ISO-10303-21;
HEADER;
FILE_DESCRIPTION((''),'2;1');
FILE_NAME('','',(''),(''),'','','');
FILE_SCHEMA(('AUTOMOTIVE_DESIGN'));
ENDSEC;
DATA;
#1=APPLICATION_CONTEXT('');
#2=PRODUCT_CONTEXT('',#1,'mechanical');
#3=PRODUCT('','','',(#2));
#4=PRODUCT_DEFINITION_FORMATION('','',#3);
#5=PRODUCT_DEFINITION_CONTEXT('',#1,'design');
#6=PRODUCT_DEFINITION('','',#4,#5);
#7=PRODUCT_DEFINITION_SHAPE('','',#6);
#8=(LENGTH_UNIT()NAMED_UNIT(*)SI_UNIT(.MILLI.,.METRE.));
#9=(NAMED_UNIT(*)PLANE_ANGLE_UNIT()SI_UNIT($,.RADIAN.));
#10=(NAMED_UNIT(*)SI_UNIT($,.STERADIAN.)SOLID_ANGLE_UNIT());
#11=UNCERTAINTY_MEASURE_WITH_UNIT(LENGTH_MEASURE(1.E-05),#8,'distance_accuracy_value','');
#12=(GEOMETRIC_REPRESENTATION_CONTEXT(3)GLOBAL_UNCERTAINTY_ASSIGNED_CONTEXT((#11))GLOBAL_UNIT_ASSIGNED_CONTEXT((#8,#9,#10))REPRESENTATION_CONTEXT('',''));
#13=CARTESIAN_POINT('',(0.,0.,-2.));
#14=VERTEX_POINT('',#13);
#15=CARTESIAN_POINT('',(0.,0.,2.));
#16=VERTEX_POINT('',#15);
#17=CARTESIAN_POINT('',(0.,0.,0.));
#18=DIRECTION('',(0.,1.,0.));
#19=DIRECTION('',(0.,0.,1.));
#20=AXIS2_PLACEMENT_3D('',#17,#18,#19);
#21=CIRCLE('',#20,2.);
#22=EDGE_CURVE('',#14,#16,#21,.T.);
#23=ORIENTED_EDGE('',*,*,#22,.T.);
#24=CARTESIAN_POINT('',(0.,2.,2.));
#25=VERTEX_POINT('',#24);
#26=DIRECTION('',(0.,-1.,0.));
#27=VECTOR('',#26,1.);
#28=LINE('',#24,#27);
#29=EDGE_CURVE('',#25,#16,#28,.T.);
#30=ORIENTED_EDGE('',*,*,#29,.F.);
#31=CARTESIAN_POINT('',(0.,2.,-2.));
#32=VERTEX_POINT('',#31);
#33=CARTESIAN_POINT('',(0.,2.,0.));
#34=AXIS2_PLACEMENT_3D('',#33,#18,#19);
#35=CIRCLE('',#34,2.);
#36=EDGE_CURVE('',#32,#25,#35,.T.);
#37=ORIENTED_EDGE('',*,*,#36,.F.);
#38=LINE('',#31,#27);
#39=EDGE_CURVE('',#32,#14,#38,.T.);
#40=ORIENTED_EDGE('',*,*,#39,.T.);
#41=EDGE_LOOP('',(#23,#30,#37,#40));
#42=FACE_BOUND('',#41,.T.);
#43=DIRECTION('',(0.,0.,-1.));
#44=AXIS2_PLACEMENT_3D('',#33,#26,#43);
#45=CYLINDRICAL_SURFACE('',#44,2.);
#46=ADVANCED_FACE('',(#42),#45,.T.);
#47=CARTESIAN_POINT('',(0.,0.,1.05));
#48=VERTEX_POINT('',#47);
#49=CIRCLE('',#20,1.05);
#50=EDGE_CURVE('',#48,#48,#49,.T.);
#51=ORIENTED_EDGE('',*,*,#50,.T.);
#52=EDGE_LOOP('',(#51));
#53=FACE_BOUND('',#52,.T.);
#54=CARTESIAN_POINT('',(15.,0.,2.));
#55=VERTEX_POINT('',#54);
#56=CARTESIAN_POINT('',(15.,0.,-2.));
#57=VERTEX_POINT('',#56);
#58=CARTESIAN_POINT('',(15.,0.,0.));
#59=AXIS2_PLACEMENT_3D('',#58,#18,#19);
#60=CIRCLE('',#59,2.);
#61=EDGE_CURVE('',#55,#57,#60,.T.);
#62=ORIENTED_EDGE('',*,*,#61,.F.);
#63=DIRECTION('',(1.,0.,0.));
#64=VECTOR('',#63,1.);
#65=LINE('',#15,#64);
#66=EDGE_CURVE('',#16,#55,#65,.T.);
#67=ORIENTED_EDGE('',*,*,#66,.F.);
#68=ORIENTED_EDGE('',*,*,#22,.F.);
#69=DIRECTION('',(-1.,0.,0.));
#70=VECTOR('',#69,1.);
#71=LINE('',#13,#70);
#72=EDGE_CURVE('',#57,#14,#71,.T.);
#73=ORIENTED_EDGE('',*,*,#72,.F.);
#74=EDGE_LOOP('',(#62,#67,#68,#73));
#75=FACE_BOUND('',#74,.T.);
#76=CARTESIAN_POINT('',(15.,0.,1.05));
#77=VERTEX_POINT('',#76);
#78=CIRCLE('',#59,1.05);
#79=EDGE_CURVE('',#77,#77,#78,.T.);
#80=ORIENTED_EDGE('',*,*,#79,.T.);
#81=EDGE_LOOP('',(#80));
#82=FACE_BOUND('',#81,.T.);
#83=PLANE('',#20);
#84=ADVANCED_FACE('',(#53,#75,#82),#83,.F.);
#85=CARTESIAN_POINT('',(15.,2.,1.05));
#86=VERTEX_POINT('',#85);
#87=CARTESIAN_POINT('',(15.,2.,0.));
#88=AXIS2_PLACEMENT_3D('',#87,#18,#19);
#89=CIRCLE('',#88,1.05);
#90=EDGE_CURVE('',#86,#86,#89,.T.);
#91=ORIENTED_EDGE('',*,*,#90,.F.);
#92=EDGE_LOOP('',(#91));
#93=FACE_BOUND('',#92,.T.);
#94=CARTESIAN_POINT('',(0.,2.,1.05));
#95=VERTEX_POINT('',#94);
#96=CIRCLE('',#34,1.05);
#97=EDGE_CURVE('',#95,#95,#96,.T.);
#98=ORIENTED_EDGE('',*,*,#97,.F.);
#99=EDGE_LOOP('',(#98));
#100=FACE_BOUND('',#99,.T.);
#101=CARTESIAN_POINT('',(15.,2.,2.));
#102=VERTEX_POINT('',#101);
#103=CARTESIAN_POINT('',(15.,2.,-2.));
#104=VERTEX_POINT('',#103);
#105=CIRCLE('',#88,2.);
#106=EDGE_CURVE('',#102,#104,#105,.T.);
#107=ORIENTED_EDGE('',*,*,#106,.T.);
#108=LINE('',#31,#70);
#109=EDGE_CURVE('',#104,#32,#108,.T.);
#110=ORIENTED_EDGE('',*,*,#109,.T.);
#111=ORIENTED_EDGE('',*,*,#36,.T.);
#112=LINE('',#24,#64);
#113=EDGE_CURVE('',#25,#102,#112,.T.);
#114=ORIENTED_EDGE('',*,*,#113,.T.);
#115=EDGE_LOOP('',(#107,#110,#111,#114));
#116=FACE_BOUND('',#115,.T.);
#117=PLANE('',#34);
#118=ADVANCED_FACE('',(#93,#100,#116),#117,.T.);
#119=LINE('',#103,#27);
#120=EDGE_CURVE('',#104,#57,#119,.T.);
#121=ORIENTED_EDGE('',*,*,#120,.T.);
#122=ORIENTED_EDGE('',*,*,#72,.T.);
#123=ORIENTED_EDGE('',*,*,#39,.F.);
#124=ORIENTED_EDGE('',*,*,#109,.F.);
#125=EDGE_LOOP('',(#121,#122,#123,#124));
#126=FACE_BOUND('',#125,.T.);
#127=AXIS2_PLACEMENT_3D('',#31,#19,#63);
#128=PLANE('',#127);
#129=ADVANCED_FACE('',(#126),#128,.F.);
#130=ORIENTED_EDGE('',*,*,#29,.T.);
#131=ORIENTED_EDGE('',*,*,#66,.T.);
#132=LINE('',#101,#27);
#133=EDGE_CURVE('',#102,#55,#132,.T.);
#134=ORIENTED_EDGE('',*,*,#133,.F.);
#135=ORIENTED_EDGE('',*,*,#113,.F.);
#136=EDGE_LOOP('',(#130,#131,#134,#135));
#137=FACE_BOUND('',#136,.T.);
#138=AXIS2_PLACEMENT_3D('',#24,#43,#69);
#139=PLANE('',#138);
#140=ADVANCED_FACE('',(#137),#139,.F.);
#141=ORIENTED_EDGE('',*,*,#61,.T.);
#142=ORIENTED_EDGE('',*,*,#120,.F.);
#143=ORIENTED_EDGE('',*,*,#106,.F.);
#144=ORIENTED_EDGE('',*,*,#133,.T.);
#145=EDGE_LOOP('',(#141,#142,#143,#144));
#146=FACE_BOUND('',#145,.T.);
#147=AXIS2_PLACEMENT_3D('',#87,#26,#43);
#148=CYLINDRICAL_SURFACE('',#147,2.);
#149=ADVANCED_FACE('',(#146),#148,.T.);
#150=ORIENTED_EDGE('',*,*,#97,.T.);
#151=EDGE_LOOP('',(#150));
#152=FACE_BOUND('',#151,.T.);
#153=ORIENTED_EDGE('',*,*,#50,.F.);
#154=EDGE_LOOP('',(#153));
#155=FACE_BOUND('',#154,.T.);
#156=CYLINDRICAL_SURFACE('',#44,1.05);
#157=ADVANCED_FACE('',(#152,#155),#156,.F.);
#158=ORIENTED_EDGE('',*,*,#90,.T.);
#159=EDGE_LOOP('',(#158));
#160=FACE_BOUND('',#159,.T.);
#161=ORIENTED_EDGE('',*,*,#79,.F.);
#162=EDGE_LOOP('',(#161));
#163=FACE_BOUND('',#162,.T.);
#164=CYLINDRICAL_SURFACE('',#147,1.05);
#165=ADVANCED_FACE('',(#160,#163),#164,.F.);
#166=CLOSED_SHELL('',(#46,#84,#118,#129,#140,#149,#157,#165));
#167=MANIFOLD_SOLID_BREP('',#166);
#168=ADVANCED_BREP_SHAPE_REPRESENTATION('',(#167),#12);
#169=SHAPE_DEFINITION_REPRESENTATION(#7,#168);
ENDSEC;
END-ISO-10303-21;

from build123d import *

# Parameters (mm, degrees)
SKETCH1_R           = 1.05
BOSS_EXTRUDE1_DEPTH = 2


with BuildPart() as part:
    # Sketch1 → Boss-Extrude1 (new body)
    with BuildSketch(Plane(origin=(0, 0, 0), x_dir=(1, 0, 0), z_dir=(0, 1, 0))):
        with BuildLine():
            Line((0, 2), (15, 2))
            ThreePointArc((15, 2), (17, 0), (15, -2))
            Line((15, -2), (0, -2))
            ThreePointArc((0, -2), (-2, 0), (0, 2))
        make_face()
        with Locations(Location((0, 0, 0), (0, 0, 270))):
            Circle(SKETCH1_R, mode=Mode.SUBTRACT)
        with Locations(Location((15, 0, 0), (0, 0, 270))):
            Circle(SKETCH1_R, mode=Mode.SUBTRACT)
    extrude(amount=BOSS_EXTRUDE1_DEPTH)


solid = part.part
